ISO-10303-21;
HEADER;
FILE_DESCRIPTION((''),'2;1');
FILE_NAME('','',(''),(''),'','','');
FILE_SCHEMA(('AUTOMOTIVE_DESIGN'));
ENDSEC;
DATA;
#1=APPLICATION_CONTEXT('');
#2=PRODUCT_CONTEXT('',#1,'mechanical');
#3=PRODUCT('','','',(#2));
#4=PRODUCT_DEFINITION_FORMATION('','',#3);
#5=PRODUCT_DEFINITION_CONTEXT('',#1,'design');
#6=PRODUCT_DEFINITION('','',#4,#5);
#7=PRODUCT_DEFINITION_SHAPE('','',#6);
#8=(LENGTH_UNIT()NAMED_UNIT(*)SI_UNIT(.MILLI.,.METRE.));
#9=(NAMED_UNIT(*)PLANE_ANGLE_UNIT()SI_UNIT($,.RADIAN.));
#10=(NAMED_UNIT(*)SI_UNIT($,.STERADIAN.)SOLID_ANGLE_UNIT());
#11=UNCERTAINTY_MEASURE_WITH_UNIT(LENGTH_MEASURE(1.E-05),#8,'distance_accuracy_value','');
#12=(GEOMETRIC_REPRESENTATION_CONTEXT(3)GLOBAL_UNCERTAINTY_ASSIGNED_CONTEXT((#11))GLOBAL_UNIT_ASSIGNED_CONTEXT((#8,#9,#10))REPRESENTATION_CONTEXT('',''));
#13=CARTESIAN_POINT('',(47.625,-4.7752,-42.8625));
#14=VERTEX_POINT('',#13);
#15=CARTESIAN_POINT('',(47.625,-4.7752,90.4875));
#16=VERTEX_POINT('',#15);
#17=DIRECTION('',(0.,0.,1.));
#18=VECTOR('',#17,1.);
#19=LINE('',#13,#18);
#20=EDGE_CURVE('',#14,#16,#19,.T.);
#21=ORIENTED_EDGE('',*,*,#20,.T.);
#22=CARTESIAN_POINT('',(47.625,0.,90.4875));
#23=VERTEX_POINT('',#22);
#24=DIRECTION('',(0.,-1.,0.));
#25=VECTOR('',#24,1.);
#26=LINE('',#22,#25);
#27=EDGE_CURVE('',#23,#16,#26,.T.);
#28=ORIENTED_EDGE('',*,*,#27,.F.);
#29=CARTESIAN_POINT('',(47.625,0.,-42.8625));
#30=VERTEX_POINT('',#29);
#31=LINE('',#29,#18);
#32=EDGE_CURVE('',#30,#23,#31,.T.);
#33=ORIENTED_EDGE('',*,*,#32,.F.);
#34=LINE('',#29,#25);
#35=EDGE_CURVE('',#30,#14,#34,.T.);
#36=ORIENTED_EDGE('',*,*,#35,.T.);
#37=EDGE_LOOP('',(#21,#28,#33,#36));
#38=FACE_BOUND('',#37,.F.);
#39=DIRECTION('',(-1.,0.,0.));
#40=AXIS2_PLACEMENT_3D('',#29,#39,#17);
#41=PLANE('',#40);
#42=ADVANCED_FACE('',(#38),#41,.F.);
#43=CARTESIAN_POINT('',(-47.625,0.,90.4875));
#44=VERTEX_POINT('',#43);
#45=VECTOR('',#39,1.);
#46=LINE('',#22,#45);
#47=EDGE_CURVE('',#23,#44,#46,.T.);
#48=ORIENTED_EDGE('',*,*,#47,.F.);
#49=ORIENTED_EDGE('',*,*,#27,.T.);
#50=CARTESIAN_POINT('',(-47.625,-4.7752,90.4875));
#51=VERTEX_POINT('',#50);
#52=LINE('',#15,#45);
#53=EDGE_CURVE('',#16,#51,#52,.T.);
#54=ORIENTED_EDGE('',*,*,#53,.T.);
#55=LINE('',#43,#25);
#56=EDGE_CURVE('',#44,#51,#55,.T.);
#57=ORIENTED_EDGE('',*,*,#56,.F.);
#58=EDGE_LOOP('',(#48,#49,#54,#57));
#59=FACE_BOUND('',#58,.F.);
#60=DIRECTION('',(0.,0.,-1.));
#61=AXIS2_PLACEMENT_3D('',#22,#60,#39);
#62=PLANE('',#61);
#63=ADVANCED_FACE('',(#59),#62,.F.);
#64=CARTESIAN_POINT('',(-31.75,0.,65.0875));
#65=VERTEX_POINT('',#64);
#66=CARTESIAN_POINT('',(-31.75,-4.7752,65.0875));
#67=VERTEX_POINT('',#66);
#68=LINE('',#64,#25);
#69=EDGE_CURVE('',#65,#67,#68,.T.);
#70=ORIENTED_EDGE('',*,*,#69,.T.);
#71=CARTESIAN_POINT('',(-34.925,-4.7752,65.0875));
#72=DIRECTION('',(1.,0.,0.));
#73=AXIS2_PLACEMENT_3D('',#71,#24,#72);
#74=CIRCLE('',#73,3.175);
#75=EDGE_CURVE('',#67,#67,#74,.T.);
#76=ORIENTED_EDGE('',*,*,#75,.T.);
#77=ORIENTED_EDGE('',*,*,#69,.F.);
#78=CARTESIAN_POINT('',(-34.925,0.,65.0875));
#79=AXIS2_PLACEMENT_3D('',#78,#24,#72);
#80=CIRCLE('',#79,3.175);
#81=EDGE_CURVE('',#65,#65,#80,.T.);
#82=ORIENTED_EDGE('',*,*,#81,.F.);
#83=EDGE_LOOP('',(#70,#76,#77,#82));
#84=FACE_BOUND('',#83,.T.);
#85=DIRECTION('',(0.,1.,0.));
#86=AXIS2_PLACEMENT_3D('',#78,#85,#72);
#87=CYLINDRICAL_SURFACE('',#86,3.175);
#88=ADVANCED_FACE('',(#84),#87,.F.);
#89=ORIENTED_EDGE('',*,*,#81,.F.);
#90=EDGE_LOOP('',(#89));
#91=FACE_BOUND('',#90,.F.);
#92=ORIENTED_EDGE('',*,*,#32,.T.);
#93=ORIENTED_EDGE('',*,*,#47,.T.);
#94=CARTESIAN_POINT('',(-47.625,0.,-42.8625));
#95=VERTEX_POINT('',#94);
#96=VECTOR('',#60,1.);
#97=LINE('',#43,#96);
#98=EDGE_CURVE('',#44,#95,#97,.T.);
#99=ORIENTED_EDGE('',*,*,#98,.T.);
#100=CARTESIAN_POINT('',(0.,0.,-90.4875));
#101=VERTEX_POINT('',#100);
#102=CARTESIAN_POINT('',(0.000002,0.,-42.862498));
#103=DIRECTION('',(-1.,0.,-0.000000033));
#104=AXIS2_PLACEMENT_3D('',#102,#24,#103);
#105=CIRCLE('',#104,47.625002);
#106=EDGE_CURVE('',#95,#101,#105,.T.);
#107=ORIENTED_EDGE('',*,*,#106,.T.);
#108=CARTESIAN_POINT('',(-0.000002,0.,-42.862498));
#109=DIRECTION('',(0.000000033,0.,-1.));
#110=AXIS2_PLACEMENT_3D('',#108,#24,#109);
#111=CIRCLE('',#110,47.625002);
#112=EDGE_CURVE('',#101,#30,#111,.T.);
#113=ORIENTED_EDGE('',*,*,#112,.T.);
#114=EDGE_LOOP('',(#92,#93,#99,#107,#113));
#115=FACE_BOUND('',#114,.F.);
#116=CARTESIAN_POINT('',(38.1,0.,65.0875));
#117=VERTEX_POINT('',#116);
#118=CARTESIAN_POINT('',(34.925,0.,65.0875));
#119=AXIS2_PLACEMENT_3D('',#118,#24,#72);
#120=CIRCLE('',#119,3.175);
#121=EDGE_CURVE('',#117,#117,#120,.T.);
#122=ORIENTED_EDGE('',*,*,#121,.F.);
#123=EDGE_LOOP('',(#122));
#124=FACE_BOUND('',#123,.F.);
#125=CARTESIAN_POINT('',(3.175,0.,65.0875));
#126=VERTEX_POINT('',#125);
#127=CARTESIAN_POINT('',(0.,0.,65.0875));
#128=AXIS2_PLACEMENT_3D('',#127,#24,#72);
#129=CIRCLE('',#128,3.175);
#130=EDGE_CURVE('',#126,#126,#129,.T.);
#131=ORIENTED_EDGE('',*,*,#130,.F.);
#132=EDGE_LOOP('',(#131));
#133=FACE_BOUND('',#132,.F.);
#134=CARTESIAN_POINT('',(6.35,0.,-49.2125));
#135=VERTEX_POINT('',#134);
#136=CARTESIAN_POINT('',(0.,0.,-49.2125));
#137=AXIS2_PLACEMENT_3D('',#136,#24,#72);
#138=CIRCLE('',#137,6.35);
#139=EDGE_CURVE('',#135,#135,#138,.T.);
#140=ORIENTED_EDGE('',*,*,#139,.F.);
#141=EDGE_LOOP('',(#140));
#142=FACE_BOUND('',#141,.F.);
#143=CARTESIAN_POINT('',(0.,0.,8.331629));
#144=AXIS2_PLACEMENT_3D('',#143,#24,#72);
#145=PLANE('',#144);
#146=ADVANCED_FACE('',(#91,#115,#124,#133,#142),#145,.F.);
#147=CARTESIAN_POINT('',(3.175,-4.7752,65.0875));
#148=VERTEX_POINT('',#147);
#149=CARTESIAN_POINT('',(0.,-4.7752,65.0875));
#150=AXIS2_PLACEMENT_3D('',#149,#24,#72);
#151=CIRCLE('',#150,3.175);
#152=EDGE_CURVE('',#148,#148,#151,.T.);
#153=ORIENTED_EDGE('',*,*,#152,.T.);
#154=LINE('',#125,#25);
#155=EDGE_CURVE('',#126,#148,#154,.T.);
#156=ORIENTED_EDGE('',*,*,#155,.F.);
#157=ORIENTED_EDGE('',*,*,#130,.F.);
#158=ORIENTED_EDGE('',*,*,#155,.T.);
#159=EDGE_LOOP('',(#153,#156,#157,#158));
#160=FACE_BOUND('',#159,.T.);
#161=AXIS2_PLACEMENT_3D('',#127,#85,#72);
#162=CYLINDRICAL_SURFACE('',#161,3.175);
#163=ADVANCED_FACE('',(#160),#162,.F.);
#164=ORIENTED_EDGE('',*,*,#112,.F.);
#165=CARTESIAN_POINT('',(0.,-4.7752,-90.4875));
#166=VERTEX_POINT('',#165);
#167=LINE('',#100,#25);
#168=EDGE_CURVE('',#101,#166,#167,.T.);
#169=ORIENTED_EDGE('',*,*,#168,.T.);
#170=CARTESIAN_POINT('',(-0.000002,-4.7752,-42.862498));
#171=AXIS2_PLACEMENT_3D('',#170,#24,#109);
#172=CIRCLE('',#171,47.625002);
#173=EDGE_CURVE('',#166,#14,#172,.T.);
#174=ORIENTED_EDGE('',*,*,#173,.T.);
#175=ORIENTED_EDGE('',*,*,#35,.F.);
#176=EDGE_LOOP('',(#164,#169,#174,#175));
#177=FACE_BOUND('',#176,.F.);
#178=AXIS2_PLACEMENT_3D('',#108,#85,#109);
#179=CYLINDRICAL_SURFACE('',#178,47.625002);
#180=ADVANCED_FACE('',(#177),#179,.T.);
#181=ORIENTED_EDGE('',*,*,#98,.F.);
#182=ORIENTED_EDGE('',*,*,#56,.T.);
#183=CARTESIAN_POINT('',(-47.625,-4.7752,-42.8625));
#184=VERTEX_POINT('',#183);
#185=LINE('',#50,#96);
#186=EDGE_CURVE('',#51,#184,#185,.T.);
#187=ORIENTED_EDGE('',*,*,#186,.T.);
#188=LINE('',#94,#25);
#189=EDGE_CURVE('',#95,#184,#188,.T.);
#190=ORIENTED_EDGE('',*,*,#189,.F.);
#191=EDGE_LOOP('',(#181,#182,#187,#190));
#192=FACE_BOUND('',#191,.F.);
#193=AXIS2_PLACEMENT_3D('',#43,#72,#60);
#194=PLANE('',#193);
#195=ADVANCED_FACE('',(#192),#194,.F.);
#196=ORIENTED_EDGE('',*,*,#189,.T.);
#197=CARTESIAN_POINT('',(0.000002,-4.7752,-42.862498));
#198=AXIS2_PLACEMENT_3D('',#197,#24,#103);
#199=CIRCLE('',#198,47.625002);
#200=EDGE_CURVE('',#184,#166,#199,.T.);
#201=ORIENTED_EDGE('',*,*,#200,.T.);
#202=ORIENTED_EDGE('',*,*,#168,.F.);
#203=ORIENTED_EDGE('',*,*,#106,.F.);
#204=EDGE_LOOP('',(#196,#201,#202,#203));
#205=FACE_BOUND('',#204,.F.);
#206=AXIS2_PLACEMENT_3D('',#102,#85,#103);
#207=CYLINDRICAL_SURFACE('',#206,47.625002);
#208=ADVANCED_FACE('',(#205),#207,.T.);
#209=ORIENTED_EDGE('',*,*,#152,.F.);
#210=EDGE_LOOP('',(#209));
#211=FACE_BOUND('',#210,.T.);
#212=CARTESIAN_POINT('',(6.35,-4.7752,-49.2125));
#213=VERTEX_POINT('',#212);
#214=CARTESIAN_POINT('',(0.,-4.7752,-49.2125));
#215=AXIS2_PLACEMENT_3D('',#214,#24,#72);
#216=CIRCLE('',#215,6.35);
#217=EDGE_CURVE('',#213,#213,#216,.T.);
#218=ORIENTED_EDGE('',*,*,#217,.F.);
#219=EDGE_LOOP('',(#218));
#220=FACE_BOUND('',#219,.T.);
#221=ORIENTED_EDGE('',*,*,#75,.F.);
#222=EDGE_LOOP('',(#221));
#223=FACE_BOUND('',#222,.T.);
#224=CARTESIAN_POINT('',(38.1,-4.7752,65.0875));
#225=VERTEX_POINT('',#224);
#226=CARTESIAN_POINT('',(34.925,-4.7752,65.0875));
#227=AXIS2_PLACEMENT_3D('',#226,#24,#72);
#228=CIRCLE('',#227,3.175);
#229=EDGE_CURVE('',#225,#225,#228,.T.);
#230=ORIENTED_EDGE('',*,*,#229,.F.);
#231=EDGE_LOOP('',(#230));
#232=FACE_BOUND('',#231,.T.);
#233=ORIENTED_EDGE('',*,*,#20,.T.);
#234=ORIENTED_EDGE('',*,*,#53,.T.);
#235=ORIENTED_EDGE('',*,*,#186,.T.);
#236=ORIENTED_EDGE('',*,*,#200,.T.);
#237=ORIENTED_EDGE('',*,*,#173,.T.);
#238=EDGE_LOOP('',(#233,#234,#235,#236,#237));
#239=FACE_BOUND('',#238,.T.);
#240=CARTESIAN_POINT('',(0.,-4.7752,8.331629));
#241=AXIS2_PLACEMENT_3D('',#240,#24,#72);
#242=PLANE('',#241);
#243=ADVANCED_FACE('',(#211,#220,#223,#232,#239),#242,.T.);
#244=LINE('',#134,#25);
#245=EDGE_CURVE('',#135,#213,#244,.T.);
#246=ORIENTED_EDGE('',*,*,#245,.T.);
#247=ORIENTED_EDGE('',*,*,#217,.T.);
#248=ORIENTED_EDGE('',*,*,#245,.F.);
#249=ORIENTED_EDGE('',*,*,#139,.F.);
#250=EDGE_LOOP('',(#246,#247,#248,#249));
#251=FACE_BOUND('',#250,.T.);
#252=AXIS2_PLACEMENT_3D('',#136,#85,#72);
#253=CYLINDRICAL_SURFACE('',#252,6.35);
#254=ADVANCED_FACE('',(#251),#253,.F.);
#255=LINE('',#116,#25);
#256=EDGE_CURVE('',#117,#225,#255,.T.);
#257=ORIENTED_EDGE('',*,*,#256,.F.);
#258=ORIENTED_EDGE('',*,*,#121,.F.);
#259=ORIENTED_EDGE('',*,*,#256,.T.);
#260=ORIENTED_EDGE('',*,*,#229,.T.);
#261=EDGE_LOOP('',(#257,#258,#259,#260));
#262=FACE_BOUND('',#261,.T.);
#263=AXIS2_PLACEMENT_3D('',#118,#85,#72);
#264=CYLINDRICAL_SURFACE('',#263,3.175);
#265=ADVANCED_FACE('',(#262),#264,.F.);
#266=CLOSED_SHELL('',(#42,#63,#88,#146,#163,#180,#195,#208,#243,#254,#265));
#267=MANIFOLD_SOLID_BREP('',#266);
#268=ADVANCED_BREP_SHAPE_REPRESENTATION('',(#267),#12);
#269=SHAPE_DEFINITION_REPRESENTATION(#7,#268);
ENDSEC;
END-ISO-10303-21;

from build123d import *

# Parameters (mm, degrees)
F0_R     = 6.35
F0_R_2   = 3.175
F1_DEPTH = 4.7752


with BuildPart() as f1:
    # F0 (on Front) → F1 (new body)
    with BuildSketch(Plane.XZ):
        with BuildLine():
            Line((47.625, 90.4875), (-47.625, 90.4875))
            Line((-47.625, 90.4875), (-47.625, -42.8625))
            ThreePointArc((-47.625, -42.8625), (-33.67596, -76.53846), (0, -90.4875))
            ThreePointArc((0, -90.4875), (33.67596, -76.53846), (47.625, -42.8625))
            Line((47.625, -42.8625), (47.625, 90.4875))
        make_face()
        with Locations((0, -49.2125)):
            Circle(F0_R, mode=Mode.SUBTRACT)
        with Locations((-34.925, 65.0875)):
            Circle(F0_R_2, mode=Mode.SUBTRACT)
        with Locations((0, 65.0875)):
            Circle(F0_R_2, mode=Mode.SUBTRACT)
        with Locations((34.925, 65.0875)):
            Circle(F0_R_2, mode=Mode.SUBTRACT)
    extrude(amount=F1_DEPTH)


solid = f1.part
